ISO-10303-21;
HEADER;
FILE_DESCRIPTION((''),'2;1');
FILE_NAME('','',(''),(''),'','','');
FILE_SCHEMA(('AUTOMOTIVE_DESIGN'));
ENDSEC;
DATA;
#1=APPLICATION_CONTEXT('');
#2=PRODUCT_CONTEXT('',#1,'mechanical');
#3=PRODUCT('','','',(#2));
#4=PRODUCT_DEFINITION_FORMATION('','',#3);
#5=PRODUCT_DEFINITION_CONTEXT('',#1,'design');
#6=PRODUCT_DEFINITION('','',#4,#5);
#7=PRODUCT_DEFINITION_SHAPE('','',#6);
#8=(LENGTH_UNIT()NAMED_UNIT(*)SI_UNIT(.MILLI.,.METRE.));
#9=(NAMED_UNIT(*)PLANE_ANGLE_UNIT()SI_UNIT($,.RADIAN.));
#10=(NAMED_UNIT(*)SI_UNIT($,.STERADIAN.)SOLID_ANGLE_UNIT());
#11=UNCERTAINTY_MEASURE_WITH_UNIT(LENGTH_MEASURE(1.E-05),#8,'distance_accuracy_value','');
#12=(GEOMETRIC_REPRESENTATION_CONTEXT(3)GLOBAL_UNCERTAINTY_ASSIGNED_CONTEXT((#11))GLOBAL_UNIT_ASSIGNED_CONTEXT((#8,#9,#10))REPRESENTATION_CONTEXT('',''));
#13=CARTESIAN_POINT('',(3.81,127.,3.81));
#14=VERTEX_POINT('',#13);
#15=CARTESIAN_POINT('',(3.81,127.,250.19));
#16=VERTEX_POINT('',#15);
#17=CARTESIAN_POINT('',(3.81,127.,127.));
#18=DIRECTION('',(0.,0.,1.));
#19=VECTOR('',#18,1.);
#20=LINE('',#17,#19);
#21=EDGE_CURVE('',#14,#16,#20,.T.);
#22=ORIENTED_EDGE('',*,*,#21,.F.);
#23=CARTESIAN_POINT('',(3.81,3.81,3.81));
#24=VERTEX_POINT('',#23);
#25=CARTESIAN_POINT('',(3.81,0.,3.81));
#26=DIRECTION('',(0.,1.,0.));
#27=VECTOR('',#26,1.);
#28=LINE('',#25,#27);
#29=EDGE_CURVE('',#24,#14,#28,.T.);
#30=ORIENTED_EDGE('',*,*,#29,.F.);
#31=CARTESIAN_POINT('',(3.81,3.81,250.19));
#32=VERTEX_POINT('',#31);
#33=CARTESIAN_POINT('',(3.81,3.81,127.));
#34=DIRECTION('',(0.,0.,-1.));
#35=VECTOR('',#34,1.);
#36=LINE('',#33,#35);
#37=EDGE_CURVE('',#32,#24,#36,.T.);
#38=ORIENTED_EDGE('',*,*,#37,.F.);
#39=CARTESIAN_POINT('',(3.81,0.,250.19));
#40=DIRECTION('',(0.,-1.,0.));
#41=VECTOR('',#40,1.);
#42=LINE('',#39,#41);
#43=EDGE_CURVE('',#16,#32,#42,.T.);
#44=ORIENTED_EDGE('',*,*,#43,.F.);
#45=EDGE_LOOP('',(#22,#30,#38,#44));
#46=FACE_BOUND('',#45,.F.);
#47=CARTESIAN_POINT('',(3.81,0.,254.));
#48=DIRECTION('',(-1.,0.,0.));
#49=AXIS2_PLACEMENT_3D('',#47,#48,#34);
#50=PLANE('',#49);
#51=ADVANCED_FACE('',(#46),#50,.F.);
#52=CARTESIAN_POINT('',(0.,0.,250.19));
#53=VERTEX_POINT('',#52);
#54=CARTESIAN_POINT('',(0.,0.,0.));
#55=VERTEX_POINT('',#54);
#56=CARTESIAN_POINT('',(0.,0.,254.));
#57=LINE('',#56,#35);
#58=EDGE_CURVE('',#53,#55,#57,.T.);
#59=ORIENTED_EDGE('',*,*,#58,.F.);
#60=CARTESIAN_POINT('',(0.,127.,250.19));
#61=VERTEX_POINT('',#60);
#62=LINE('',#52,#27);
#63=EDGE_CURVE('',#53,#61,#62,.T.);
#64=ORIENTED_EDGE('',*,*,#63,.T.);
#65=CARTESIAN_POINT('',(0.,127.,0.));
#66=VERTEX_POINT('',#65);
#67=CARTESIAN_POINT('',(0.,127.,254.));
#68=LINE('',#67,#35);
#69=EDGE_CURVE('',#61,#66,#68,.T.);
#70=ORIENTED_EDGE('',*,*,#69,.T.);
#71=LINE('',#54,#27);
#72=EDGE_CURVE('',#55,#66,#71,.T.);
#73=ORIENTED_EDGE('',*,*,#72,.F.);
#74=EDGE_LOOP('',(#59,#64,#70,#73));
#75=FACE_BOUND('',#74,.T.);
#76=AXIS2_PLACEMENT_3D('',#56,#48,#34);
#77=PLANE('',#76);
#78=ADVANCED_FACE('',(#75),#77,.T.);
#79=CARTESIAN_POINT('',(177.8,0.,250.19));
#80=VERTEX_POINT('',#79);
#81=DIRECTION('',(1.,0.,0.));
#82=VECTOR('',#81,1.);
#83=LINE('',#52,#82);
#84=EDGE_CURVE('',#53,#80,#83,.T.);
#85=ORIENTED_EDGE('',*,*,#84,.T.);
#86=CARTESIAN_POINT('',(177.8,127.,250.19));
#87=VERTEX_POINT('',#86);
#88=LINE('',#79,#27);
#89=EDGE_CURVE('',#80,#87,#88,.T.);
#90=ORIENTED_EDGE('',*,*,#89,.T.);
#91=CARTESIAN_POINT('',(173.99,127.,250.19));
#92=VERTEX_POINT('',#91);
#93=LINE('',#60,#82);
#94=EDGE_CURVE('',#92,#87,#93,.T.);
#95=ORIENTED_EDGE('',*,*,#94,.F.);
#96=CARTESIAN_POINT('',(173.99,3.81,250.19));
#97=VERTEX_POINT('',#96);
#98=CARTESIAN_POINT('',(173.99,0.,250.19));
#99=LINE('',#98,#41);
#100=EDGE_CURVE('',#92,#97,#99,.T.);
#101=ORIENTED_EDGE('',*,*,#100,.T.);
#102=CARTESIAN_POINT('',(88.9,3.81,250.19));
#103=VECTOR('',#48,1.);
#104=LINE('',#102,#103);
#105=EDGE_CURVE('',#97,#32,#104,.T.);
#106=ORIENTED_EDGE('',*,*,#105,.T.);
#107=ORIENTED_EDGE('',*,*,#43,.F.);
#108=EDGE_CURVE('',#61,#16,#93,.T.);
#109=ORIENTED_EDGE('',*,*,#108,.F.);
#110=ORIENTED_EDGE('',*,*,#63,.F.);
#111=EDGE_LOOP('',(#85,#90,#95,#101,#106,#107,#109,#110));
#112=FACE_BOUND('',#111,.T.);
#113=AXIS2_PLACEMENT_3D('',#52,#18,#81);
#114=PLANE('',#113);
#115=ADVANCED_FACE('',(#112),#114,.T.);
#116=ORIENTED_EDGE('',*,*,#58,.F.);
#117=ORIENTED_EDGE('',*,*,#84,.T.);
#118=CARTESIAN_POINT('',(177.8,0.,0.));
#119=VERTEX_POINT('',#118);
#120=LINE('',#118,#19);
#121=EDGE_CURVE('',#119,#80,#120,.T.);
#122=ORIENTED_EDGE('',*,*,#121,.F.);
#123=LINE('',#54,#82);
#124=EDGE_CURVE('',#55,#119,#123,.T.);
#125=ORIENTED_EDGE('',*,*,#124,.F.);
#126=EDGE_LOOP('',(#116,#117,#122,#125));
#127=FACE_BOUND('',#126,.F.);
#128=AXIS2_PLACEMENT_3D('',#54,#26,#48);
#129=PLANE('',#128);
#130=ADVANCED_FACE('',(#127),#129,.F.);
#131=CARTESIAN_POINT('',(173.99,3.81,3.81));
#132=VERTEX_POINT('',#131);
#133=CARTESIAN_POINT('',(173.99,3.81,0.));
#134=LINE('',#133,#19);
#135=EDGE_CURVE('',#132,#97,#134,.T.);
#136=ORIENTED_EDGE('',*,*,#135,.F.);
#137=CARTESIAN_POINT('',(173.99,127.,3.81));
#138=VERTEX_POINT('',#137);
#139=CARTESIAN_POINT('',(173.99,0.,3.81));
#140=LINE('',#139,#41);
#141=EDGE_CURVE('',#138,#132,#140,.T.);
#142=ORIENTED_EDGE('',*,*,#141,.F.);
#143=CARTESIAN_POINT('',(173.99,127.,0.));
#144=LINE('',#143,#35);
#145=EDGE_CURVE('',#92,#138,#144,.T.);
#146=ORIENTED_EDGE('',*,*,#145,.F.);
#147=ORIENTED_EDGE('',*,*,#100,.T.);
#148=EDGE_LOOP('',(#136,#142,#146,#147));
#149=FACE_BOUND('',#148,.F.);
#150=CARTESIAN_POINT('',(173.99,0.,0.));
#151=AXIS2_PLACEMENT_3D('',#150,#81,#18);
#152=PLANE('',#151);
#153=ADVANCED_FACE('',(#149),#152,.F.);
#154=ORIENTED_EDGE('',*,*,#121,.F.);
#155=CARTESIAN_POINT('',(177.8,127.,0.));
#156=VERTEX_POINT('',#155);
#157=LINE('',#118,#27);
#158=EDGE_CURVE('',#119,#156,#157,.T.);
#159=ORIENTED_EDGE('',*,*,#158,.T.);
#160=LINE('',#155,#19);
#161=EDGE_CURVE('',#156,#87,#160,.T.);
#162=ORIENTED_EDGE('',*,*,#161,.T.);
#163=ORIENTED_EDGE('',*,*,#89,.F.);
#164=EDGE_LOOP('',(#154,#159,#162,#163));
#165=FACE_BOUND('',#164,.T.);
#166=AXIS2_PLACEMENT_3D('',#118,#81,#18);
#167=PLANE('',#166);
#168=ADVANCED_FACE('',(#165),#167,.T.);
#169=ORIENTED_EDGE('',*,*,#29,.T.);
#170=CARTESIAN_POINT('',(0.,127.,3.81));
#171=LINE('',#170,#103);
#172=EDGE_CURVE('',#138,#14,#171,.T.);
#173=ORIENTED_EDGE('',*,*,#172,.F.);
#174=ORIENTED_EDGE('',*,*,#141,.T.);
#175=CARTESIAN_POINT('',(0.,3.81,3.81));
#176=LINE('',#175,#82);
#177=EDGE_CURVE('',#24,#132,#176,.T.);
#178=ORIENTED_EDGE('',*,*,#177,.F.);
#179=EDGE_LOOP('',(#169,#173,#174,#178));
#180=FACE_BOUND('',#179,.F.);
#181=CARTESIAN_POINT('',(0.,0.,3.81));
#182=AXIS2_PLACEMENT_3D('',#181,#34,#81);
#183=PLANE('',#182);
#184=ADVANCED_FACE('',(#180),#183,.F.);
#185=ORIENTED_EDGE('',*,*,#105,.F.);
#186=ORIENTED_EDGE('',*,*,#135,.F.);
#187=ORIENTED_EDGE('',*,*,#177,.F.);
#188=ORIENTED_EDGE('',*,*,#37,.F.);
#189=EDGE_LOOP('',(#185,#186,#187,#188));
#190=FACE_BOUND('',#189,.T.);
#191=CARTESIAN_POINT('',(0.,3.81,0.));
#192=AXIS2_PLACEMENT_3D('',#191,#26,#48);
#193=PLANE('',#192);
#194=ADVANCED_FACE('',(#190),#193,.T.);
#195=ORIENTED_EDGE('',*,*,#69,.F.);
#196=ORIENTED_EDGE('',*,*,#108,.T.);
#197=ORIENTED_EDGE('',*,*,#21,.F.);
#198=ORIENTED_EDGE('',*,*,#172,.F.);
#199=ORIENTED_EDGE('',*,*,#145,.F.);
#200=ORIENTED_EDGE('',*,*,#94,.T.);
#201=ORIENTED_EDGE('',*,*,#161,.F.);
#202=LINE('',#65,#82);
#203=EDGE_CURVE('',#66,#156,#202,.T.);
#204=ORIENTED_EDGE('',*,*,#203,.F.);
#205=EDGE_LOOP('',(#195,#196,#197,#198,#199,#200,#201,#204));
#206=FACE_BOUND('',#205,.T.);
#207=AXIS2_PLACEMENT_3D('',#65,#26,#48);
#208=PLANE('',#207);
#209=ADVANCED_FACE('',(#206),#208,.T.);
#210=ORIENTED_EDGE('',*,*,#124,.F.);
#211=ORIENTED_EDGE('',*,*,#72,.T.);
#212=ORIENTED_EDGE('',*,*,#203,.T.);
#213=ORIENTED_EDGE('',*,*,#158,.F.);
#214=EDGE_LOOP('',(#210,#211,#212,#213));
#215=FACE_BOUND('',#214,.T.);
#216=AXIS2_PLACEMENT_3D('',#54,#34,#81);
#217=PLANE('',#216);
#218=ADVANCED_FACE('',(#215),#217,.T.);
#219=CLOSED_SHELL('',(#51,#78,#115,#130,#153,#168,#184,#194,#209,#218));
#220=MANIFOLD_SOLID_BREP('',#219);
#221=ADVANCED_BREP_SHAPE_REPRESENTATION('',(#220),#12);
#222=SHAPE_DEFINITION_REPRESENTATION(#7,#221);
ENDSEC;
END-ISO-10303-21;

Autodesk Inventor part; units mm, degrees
ref_plane "YZ Plane" through (0, 0, 0) normal (1, 0, 0) x (0, 1, 0)
ref_plane "XZ Plane" through (0, 0, 0) normal (0, 1, 0) x (-1, 0, 0)
ref_plane "XY Plane" through (0, 0, 0) normal (0, 0, 1) x (1, 0, 0)
sketch "Sketch1" plane through (0, 0, 0) normal (0, 1, 0) x (-1, 0, 0)
  line L0 (0, 0) -> (-177.8, 0)
  line L1 (-177.8, 0) -> (-177.8, 254)
  line L2 (-177.8, 254) -> (0, 254)
  line L3 (0, 254) -> (0, 0)
  dimension "d0" = 177.8
  dimension "d1" = 254
extrude "Extrusion1" add sketch "Sketch1" along normal blind 127
shell "Shell1" thickness 3.81 removed faces 1 at (118.5333, 127, 169.3333)
sketch "Sketch2" plane through (0, 0, 254) normal (0, 0, 1) x (1, 0, 0)
  line L0 (0, 0) -> (177.8, 0) projected
  line L1 (177.8, 0) -> (177.8, 127) projected
  line L2 (0, 127) -> (177.8, 127) projected
  line L3 (0, 0) -> (0, 127) projected
extrude "Extrusion2" cut sketch "Sketch2" against normal up to surface (3.81 mm away)
sketch "Sketch3" plane through (0, 0, 0) normal (0, -1, 0) x (1, 0, 0)
  line L0 (177.8, 250.19) -> (0, 250.19) projected
  line L1 (0, 0) -> (0, 250.19) projected
  line L2 (177.8, 0) -> (0, 0) projected
  line L3 (177.8, 250.19) -> (177.8, 0) projected
  line L4 (177.8, 250.19) -> (0, 250.19) projected
  line L5 (0, 0) -> (0, 250.19) projected
  line L6 (177.8, 0) -> (0, 0) projected
  line L7 (177.8, 250.19) -> (177.8, 0) projected
  line L8 (177.8, 250.19) -> (177.8, 0) projected
  spline S0 degree 4 poles (88.9, 250.19) (64.6184, 235.605) (118.3851, 244.1086) (81.3712, 187.8473) (79.1664, 164.6282) (100.7722, 157.4816) (94.5532, 141.1288) (75.1172, 136.7588) (92.4319, 127.4973) (95.6269, 113.3719) (72.1361, 104.6051) (96.8499, 82.5804) (92.3371, 68.5262) (76.0031, 58.8905) (95.1922, 46.8111) (88.2393, 30.5759) (70.5928, 15.1042) (112.5447, 15.7388) (88.9, 0) knots 0 0 0 0 0 0.160311 0.22783 0.291752 0.343709 0.393485 0.441731 0.491587 0.546869 0.603873 0.660906 0.71719 0.768135 0.818353 0.868814 1 1 1 1 1
  spline S1 degree 4 poles (0, 125.095) (-6.7527, 130.6116) (46.7852, 140.872) (29.9087, 101.3612) (79.7395, 129.7272) (116.5747, 129.6492) (130.5567, 112.1302) (157.3819, 135.4422) (165.3765, 119.4615) (177.8, 125.095) knots 0 0 0 0 0 0.260408 0.392164 0.513635 0.63886 0.751218 1 1 1 1 1
  point P0 (83.696, 239.0199)
  point P1 (95.7292, 222.4771)
  point P2 (82.8296, 179.2151)
  point P3 (85.8648, 164.5428)
  point P4 (95.9821, 154.1745)
  point P5 (91.1764, 142.7929)
  point P6 (82.3237, 135.7143)
  point P7 (88.9, 127.3714)
  point P8 (91.4293, 116.2479)
  point P9 (82.0708, 103.6056)
  point P10 (91.9352, 81.8518)
  point P11 (88.9, 68.1851)
  point P12 (83.0825, 58.3094)
  point P13 (90.6705, 46.414)
  point P14 (88.9, 35.0509)
  point P15 (83.696, 23.6656)
  point P16 (92.3673, 15.4774)
  point P17 (7.7387, 130.6712)
  point P18 (36.1302, 125.095)
  point P19 (45.4777, 117.014)
  point P20 (78.8552, 125.095)
  point P21 (117.0831, 125.095)
  point P22 (130.5534, 121.195)
  point P23 (147.0022, 125.095)
  point P24 (161.5605, 125.095)
  point P25 (177.8, 125.095)
  point P26 (88.946, 127.3179)
  point P27 (88.9, 250.19)
  point P28 (88.9, 0)
  point P29 (0, 127.787)
properties part number "Component box Bottom tall"
